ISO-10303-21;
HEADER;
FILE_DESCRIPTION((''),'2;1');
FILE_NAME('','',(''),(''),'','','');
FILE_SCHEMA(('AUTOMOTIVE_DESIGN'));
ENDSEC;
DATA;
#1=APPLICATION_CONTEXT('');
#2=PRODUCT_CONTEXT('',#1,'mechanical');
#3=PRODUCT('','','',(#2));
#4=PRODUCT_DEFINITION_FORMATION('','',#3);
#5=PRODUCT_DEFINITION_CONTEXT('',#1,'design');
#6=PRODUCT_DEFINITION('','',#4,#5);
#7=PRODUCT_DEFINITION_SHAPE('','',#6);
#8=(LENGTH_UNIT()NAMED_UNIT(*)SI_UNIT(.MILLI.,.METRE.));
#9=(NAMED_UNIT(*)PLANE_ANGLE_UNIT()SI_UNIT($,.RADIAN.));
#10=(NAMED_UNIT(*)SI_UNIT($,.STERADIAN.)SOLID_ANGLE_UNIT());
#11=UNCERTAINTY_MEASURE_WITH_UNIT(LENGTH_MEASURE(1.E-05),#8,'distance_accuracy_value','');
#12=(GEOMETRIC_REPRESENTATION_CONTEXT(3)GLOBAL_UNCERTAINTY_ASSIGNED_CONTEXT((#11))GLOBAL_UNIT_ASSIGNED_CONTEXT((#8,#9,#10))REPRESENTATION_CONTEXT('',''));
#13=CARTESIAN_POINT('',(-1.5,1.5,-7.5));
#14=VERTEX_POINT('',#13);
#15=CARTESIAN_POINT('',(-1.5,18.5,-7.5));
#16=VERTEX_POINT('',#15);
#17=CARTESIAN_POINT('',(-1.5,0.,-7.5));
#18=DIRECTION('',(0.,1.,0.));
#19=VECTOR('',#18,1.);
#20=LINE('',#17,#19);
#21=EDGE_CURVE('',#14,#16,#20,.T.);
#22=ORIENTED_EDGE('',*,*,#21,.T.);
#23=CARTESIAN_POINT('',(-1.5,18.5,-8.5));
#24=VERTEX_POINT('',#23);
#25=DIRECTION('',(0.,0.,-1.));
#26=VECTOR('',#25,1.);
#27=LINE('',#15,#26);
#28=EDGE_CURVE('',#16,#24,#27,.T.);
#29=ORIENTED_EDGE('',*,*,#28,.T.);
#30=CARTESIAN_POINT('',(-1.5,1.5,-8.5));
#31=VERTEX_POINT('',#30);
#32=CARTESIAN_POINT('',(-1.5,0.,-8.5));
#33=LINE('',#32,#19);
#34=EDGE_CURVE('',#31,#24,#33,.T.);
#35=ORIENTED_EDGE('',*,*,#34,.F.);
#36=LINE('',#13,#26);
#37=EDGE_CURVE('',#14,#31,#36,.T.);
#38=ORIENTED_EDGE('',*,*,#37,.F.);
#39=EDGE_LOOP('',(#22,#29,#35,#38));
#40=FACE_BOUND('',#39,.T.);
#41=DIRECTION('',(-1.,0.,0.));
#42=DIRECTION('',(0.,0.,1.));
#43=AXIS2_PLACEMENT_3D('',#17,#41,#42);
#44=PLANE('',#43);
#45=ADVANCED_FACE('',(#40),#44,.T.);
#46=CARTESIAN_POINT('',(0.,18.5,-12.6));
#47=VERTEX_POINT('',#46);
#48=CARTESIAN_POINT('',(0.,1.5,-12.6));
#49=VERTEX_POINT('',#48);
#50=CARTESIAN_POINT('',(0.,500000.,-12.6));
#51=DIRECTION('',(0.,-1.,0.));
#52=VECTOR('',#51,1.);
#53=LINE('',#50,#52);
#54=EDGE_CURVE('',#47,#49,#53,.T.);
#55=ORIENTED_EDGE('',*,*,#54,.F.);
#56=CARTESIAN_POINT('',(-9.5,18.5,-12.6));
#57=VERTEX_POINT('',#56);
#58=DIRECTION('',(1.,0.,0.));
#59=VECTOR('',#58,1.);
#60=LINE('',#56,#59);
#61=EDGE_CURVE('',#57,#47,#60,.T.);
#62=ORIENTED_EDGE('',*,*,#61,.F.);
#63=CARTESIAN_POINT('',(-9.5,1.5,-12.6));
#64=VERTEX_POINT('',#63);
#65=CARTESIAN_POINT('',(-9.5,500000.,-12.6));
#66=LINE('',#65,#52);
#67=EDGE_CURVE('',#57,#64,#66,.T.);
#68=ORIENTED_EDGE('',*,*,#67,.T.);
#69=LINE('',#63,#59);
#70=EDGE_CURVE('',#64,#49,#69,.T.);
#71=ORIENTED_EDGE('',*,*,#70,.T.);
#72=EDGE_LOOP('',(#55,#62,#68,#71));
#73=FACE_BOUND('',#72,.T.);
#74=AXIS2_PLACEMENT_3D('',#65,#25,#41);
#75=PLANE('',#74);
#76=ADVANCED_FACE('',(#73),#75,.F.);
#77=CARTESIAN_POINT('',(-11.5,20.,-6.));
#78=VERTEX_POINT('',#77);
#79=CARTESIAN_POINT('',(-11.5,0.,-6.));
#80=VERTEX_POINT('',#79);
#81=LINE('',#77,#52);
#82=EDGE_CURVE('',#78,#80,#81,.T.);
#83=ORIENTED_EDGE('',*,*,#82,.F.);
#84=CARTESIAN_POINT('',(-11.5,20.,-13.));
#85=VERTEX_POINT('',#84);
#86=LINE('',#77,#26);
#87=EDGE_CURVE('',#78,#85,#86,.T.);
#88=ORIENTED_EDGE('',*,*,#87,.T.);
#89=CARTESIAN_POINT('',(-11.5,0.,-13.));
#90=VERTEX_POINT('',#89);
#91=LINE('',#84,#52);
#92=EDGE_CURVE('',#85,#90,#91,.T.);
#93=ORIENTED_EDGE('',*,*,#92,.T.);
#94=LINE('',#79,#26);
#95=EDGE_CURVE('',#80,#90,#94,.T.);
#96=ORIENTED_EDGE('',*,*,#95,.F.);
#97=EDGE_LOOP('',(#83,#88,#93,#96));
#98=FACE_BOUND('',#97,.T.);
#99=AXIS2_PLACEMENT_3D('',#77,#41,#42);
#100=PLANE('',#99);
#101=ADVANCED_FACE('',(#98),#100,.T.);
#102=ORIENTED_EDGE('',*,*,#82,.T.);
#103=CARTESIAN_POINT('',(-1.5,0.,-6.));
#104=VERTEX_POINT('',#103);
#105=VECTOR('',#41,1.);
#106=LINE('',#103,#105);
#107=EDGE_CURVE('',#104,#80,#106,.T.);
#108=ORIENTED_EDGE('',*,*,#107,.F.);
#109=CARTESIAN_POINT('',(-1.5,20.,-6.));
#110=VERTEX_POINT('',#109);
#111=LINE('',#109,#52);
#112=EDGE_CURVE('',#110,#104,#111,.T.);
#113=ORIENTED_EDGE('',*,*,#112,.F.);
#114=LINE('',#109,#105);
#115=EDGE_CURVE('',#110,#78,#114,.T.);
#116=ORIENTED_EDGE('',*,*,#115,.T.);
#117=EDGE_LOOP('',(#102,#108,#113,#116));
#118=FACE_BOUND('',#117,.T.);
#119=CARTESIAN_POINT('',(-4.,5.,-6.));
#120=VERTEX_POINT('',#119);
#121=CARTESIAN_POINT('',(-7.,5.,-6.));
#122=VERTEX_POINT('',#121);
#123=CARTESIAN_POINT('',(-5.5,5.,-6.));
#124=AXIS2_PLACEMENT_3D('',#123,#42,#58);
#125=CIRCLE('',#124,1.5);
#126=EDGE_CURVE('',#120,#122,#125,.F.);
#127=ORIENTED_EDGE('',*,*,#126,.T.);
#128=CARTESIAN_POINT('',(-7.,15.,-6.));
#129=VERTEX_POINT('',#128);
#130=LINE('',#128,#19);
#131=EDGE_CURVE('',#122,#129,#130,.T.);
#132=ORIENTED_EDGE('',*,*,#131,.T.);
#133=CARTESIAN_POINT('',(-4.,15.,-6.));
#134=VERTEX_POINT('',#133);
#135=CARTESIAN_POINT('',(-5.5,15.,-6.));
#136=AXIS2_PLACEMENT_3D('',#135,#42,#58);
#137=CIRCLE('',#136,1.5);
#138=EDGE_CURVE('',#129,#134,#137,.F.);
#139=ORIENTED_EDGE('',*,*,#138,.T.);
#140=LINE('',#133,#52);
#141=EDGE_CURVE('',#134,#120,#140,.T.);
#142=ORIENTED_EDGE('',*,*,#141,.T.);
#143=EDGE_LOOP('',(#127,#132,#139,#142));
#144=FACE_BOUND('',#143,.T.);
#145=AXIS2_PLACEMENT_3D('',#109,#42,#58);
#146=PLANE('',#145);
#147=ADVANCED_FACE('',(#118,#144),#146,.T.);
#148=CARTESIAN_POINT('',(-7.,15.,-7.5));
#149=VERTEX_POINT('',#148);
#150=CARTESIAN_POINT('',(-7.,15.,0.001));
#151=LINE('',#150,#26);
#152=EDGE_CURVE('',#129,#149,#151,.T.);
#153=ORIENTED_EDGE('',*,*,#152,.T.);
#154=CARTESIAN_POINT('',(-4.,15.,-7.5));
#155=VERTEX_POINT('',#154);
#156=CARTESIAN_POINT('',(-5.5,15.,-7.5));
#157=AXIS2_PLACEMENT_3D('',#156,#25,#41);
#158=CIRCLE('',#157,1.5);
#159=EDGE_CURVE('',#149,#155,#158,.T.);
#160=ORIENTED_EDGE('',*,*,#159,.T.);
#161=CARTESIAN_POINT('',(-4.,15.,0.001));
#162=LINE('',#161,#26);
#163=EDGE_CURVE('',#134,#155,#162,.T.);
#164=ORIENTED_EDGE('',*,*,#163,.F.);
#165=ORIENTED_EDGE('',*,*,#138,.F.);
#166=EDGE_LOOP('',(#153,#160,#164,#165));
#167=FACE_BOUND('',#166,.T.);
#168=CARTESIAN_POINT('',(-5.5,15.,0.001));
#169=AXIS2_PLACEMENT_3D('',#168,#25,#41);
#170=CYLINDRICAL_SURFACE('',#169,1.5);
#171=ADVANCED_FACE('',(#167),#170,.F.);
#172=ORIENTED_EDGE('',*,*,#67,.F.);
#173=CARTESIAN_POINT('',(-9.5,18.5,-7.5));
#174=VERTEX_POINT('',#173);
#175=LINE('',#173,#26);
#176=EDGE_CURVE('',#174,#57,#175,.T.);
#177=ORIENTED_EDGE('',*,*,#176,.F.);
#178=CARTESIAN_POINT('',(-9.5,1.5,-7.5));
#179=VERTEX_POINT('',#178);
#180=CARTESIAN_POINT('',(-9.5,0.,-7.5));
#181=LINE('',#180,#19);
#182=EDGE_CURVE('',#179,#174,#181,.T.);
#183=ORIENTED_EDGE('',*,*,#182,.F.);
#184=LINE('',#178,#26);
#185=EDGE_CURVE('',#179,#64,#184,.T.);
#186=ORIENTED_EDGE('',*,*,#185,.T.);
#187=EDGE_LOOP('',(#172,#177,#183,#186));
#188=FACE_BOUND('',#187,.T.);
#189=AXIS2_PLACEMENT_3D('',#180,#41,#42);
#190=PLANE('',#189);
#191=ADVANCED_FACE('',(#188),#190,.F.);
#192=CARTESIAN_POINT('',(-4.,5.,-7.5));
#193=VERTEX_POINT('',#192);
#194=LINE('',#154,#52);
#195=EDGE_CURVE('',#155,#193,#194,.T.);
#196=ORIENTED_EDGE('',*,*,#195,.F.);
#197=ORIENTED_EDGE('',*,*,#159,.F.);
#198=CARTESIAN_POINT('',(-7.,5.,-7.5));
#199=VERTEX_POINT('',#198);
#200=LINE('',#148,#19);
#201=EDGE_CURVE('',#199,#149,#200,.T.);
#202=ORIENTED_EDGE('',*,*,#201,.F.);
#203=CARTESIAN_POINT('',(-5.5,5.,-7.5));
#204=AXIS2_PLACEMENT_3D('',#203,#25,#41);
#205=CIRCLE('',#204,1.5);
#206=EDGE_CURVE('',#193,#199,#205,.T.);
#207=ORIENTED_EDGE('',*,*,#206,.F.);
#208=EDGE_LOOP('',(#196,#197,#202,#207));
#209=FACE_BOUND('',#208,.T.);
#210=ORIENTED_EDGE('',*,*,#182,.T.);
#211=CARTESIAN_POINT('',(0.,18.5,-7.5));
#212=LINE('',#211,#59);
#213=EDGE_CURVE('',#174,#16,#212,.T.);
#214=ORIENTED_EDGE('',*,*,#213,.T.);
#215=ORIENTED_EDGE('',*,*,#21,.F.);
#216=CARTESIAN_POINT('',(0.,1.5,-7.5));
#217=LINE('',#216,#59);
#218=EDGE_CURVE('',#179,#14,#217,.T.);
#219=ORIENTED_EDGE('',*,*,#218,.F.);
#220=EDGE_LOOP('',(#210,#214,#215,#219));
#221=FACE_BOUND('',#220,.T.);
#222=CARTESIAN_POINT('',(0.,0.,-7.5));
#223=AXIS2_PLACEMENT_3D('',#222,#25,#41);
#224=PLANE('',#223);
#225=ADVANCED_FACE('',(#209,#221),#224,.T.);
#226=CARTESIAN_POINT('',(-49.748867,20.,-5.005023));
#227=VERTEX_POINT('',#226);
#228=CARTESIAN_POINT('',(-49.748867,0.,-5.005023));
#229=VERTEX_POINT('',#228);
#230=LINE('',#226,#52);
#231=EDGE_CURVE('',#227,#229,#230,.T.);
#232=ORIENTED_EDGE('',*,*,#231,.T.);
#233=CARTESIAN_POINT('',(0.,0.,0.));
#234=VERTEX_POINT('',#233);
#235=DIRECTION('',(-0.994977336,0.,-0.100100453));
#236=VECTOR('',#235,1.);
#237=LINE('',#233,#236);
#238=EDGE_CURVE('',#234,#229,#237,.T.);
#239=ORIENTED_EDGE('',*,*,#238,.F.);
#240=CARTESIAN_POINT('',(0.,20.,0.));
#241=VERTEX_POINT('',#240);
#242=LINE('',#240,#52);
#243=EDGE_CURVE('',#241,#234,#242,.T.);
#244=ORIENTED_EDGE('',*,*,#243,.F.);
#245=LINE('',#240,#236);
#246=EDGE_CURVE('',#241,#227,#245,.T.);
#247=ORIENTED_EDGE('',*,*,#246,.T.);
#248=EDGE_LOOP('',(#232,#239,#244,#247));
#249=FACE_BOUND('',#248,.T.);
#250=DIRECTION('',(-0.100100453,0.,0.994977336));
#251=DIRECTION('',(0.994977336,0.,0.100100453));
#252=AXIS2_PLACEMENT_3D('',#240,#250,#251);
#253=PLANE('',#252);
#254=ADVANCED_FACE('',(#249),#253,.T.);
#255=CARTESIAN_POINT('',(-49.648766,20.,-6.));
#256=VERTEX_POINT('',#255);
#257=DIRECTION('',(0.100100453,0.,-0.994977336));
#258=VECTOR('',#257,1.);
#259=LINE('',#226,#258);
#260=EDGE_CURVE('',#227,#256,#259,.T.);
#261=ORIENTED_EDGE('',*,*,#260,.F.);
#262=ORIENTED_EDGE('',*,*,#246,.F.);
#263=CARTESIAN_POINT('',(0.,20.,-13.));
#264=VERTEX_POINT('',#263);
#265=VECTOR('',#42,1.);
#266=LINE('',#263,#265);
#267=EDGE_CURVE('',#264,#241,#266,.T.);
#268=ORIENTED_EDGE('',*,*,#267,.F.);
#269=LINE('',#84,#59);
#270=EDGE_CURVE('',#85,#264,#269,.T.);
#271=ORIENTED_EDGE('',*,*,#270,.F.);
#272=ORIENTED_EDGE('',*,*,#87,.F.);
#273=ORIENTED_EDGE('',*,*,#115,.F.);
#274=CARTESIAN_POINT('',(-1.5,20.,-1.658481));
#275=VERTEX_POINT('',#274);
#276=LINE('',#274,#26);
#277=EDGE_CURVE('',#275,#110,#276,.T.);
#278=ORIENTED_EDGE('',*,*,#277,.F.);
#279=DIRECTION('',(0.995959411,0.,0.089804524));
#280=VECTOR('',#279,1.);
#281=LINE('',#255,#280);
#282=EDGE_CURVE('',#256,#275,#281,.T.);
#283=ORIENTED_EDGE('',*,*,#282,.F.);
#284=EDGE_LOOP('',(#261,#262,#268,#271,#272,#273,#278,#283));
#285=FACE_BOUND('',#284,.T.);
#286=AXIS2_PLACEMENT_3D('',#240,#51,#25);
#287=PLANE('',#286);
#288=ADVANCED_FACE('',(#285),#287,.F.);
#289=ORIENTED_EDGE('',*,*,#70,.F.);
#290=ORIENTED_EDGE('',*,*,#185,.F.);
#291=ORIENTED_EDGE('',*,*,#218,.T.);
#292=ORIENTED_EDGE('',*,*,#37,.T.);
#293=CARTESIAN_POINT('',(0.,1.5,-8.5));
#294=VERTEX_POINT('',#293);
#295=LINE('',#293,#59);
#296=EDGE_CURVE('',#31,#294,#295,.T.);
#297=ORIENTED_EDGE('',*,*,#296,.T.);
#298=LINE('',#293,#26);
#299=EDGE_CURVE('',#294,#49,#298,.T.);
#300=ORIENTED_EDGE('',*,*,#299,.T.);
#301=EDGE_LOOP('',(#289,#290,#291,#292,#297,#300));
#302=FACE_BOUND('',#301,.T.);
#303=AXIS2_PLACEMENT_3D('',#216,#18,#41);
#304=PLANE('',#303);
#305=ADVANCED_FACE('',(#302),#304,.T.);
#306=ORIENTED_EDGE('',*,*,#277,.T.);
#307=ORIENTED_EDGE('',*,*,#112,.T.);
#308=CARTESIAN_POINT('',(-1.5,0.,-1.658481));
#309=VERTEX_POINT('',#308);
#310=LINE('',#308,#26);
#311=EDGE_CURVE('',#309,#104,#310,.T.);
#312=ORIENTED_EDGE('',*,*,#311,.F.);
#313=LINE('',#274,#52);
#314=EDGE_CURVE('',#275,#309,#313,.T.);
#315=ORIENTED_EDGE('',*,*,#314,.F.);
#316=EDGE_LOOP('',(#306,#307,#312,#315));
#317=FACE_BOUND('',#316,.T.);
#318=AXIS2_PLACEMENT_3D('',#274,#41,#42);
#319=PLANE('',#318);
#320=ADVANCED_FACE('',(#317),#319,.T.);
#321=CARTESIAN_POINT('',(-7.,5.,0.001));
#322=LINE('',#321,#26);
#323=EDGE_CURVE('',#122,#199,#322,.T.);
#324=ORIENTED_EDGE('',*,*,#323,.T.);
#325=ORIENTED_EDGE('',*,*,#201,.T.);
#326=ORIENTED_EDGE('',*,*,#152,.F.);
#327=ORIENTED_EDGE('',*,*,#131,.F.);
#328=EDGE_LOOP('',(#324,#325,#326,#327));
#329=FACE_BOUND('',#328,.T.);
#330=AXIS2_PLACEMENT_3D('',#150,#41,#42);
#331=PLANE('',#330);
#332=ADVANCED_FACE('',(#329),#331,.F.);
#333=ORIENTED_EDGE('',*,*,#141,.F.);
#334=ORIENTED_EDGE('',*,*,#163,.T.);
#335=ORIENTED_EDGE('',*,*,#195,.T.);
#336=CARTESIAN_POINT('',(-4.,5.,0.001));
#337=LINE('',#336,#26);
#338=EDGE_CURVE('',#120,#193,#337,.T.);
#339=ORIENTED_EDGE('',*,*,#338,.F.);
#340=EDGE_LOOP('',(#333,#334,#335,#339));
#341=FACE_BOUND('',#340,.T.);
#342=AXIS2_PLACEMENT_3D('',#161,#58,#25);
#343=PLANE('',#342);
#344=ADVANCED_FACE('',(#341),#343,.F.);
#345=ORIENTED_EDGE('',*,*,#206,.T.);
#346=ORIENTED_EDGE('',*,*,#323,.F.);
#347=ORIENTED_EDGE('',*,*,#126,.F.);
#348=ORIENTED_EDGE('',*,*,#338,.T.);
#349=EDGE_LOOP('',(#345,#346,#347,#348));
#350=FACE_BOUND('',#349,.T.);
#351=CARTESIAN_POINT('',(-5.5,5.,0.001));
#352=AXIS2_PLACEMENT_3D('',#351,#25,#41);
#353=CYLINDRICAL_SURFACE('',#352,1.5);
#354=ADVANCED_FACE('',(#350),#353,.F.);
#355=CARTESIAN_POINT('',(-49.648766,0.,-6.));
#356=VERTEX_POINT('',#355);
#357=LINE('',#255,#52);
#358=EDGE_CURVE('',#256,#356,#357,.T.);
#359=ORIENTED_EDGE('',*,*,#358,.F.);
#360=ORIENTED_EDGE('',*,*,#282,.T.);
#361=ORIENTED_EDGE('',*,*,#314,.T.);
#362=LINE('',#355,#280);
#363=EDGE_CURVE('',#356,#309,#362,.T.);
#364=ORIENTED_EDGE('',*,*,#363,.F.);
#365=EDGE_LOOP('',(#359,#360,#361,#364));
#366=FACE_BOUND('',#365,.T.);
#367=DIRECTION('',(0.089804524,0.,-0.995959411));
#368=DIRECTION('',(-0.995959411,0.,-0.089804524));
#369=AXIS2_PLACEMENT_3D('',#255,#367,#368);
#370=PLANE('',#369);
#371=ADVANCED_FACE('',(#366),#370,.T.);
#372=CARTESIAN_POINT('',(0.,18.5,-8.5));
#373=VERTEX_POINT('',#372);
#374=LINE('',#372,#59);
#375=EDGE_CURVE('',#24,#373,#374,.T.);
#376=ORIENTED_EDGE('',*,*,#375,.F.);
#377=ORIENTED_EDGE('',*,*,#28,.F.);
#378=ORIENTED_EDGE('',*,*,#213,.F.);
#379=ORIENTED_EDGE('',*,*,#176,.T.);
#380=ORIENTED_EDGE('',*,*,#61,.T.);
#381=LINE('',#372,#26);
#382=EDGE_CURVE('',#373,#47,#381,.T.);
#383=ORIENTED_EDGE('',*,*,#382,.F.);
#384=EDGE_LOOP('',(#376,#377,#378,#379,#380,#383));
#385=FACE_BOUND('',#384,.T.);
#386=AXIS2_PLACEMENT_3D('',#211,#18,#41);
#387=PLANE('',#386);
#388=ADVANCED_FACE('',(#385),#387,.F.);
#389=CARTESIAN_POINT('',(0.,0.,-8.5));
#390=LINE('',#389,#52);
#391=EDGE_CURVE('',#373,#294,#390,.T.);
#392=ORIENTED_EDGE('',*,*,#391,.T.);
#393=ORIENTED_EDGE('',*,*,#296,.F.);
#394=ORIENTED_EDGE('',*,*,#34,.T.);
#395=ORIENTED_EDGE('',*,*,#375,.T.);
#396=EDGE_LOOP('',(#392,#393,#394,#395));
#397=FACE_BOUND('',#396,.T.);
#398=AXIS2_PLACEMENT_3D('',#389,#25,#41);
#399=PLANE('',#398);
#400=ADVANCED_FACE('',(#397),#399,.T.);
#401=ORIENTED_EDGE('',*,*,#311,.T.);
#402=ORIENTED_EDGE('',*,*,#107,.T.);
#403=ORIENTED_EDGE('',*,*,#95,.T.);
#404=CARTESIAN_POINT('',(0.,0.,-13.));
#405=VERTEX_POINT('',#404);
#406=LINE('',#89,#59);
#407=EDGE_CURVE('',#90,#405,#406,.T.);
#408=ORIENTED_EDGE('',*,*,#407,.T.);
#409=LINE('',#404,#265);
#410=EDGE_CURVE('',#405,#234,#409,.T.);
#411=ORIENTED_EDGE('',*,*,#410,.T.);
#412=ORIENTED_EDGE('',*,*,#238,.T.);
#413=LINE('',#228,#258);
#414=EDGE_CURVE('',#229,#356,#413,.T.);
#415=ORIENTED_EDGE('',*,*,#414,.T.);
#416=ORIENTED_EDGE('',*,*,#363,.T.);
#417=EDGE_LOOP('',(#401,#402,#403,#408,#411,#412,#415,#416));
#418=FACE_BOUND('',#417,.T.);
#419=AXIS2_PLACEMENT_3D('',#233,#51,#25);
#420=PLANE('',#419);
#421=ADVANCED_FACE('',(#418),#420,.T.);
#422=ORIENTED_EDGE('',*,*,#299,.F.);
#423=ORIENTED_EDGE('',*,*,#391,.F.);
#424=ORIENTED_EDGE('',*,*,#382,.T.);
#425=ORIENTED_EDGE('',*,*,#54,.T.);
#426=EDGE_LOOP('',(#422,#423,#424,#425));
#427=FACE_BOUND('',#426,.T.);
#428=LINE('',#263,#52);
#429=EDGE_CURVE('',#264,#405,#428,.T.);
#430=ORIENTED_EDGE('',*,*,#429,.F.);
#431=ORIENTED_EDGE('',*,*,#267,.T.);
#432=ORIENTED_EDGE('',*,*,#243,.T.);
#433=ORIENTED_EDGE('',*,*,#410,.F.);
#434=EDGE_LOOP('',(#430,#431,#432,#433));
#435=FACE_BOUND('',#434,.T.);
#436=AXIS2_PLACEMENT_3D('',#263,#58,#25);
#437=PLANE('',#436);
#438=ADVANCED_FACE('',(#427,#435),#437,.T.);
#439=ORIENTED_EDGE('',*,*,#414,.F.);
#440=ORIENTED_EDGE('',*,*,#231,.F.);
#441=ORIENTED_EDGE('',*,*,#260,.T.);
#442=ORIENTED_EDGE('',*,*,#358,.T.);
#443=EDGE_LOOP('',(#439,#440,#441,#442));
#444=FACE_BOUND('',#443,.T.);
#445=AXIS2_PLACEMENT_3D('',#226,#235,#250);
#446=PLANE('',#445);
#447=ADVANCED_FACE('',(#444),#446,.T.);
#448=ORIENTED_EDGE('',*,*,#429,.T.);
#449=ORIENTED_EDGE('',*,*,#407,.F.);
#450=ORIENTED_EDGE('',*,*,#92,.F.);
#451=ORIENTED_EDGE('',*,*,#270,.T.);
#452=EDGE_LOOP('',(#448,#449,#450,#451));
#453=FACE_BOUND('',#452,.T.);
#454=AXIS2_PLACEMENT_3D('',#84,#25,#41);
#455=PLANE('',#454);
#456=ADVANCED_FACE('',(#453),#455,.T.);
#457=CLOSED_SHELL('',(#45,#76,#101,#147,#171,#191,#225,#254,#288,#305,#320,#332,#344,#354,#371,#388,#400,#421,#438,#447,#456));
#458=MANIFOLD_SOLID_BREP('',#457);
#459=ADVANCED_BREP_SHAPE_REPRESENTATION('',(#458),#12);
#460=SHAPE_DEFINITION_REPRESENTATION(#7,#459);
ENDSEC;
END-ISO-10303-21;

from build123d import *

# Parameters (mm, degrees)
SALIENTE_EXTRUIR1_DEPTH = 20
CROQUIS4_W              = 8
CROQUIS4_H              = 17
CORTAR_EXTRUIR2_DEPTH   = 5.5
CROQUIS4_4_W            = 1.5
CROQUIS4_4_H            = 17
CORTAR_EXTRUIR3_DEPTH   = 4.5
CORTAR_EXTRUIR4_REACH   = 56.141
SALIENTE_EXTRUIR3_REACH = 56.646
CROQUIS7_W              = 9.5
CROQUIS7_H              = 0.4


with BuildPart() as part:
    # Croquis1 → Saliente-Extruir1 (new body)
    with BuildSketch(Plane(origin=(0, 0, 0), x_dir=(1, 0, 0), z_dir=(0, 1, 0))):
        Polygon((-11.5, 13), (0, 13), (0, 0), (-49.748866803, 5.005022664), (-49.648766349, 6), (-1.5, 1.658480671), (-1.5, 6), (-11.5, 6), align=None)
    extrude(amount=SALIENTE_EXTRUIR1_DEPTH)

    # Croquis4 → Cortar-Extruir2 (cut)
    with BuildSketch(Plane(origin=(0, 0, -13), x_dir=(-1, 0, 0), z_dir=(0, 0, -1))):
        with Locations((5.5, 10)):
            Rectangle(CROQUIS4_W, CROQUIS4_H)
    extrude(amount=-CORTAR_EXTRUIR2_DEPTH, mode=Mode.SUBTRACT)

    # Croquis4<4> → Cortar-Extruir3 (cut)
    with BuildSketch(Plane(origin=(0, 0, -13), x_dir=(-1, 0, 0), z_dir=(0, 0, -1))):
        with Locations((0.75, 10)):
            Rectangle(CROQUIS4_4_W, CROQUIS4_4_H)
    extrude(amount=-CORTAR_EXTRUIR3_DEPTH, mode=Mode.SUBTRACT)

    # Croquis6 → Cortar-Extruir4 (cut, up to next)
    with BuildSketch(Plane(origin=(0, 0, -7.5), x_dir=(-1, 0, 0), z_dir=(0, 0, -1)), mode=Mode.PRIVATE) as cortar_extruir4_sk1:
        with BuildLine():
            Line((7, 15), (7, 5))
            ThreePointArc((7, 5), (5.5, 3.5), (4, 5))
            Line((4, 5), (4, 15))
            ThreePointArc((4, 15), (5.5, 16.5), (7, 15))
        make_face()
    cortar_extruir4_tool1 = extrude(cortar_extruir4_sk1.sketch, amount=-CORTAR_EXTRUIR4_REACH, mode=Mode.PRIVATE) & part.part
    add(cortar_extruir4_tool1.solids().sort_by_distance((-5.5, 10, -7.5))[0], mode=Mode.SUBTRACT)

    # Croquis7 → Saliente-Extruir3 (add, up to next)
    with BuildSketch(Plane(origin=(0, 1.5, 0), x_dir=(1, 0, 0), z_dir=(0, 1, 0)), mode=Mode.PRIVATE) as saliente_extruir3_sk1:
        with Locations((-4.75, 12.8)):
            Rectangle(CROQUIS7_W, CROQUIS7_H)
    saliente_extruir3_tool1 = extrude(saliente_extruir3_sk1.sketch, amount=SALIENTE_EXTRUIR3_REACH, mode=Mode.PRIVATE) - part.part
    add(saliente_extruir3_tool1.solids().sort_by_distance((-4.75, 1.5, -12.8))[0])


solid = part.part
